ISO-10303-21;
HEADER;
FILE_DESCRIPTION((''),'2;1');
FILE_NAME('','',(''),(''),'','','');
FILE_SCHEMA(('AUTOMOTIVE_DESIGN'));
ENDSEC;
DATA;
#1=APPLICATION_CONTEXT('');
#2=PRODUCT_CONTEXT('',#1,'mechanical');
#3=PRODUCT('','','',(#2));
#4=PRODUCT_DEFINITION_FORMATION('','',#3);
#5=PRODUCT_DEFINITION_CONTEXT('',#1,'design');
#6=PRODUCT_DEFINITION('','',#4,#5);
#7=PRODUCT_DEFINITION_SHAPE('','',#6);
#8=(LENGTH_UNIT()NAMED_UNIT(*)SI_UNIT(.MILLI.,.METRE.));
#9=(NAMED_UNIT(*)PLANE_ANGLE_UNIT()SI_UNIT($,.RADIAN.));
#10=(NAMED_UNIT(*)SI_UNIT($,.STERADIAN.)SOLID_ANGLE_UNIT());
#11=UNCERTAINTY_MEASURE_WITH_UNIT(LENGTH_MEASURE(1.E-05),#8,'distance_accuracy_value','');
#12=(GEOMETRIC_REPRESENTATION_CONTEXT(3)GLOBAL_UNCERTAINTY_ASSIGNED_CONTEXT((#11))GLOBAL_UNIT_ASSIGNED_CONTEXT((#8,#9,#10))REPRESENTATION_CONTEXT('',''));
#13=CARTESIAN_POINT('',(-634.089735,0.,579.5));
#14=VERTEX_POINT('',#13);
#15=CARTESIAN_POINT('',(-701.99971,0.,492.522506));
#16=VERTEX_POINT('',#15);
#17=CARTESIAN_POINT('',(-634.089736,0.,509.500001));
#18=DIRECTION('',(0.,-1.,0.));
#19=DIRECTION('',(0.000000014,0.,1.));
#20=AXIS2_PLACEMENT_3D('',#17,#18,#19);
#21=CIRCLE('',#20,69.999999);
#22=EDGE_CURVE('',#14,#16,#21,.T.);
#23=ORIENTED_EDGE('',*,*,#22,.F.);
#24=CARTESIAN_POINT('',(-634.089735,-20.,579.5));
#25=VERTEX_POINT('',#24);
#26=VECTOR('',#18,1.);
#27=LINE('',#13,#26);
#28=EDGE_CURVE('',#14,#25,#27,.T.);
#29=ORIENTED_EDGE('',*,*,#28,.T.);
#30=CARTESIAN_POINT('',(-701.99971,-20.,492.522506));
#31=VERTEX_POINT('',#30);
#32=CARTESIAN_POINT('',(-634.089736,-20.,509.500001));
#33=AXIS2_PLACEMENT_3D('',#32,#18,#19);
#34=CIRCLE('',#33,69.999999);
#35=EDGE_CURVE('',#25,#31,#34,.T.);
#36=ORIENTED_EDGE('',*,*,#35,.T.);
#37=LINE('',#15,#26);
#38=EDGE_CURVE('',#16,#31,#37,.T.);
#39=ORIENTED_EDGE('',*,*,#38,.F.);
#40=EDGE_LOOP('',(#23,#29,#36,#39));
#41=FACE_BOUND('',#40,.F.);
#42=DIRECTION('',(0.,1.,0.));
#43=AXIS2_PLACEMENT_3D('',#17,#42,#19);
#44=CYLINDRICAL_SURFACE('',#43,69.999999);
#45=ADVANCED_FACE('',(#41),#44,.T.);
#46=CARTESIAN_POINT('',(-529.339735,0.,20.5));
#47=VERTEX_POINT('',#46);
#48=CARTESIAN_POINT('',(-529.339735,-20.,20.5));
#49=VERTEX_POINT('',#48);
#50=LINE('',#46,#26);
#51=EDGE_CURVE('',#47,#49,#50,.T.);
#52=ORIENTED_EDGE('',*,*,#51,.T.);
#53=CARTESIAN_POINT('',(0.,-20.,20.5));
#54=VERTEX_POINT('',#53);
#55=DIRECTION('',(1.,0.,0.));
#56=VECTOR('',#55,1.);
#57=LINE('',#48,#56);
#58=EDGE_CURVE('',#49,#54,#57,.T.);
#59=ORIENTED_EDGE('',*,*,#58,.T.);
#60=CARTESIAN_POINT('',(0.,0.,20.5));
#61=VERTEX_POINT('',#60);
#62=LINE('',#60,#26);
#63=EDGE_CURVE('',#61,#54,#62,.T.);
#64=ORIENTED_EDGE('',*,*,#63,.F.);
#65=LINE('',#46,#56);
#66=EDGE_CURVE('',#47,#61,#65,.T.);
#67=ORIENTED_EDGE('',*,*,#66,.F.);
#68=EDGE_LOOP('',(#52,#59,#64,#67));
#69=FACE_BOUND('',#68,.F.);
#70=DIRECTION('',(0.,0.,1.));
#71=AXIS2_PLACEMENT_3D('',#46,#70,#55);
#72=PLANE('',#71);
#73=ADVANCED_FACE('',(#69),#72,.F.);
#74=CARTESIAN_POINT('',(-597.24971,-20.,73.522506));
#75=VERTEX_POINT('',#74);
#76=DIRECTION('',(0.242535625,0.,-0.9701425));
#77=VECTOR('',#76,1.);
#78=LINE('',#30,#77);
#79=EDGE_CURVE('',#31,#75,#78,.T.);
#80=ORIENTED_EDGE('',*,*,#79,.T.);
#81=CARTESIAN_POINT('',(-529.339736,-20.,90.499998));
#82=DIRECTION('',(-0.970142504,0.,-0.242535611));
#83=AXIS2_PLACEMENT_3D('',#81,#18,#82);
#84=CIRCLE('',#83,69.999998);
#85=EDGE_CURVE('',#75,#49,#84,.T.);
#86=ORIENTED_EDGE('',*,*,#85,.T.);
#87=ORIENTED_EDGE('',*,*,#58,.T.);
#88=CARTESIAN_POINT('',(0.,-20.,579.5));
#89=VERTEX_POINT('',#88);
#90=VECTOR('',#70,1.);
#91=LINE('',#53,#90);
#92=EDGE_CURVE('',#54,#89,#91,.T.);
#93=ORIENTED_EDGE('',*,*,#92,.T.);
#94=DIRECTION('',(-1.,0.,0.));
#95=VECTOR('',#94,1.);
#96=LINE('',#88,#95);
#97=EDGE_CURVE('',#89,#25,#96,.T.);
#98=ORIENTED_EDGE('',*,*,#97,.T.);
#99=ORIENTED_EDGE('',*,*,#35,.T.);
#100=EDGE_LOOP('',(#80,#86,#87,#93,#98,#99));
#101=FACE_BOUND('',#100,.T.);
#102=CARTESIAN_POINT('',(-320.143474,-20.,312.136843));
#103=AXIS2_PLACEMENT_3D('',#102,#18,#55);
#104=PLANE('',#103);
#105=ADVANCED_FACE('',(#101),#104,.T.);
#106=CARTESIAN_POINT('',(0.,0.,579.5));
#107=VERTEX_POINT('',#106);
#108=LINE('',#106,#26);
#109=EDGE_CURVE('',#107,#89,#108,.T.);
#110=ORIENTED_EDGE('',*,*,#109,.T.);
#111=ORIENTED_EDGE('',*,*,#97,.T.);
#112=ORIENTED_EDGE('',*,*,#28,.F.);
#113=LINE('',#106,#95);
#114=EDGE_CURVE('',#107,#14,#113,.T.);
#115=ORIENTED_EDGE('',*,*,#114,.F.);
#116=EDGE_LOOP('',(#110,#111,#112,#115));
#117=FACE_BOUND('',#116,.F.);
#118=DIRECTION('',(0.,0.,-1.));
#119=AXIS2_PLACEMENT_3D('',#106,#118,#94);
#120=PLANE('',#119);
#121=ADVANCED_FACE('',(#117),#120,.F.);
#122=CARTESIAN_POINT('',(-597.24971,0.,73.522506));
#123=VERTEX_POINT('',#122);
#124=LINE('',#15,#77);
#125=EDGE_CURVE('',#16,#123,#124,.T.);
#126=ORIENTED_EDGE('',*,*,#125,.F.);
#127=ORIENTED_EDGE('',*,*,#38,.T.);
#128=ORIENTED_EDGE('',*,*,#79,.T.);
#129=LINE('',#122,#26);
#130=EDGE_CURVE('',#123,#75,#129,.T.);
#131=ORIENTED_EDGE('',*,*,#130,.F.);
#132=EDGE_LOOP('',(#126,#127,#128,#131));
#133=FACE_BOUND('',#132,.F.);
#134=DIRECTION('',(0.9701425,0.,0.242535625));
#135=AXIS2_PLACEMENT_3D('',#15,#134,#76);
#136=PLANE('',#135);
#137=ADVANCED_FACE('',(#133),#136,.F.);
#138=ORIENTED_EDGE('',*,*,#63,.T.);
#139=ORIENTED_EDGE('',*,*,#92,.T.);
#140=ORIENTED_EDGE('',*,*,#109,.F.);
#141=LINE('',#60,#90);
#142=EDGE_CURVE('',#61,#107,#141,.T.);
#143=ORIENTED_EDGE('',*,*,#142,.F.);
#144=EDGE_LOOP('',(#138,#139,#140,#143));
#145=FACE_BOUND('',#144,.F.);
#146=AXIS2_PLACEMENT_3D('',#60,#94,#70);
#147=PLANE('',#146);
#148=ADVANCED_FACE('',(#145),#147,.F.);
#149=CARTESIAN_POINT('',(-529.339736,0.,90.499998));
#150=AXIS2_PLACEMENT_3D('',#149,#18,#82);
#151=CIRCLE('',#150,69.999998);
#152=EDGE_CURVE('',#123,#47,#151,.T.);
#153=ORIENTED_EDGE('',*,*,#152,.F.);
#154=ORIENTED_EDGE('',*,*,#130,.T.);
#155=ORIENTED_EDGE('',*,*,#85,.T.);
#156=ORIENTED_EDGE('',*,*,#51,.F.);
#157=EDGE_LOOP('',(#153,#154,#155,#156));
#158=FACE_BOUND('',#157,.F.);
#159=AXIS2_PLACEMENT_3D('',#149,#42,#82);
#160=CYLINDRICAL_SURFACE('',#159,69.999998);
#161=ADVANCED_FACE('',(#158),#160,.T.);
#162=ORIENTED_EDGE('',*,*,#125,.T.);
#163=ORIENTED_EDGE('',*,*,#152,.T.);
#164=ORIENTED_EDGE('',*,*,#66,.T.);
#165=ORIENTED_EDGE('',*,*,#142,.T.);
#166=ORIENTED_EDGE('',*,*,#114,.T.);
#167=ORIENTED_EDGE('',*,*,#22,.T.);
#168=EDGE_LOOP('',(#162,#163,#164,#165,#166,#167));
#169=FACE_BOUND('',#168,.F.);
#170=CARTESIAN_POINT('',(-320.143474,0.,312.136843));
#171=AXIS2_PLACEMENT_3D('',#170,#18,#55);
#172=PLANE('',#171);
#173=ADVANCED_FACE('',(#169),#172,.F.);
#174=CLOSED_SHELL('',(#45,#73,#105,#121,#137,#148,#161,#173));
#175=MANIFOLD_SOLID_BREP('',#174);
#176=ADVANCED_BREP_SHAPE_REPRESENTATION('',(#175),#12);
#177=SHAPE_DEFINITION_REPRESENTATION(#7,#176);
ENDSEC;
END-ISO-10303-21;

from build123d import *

# Parameters (mm, degrees)
F1_DEPTH = 20


with BuildPart() as f1:
    # F0 (on Front) → F1 (new body)
    with BuildSketch(Plane.XZ):
        with BuildLine():
            Line((0, 579.5), (-634.089735, 579.5))
            ThreePointArc((-634.089735, 579.5), (-689.264116, 552.578855), (-701.99971, 492.522506))
            Line((-701.99971, 492.522506), (-597.24971, 73.522506))
            ThreePointArc((-597.24971, 73.522506), (-572.41859, 35.325619), (-529.339735, 20.5))
            Line((-529.339735, 20.5), (0, 20.5))
            Line((0, 20.5), (0, 579.5))
        make_face()
    extrude(amount=F1_DEPTH)


solid = f1.part
